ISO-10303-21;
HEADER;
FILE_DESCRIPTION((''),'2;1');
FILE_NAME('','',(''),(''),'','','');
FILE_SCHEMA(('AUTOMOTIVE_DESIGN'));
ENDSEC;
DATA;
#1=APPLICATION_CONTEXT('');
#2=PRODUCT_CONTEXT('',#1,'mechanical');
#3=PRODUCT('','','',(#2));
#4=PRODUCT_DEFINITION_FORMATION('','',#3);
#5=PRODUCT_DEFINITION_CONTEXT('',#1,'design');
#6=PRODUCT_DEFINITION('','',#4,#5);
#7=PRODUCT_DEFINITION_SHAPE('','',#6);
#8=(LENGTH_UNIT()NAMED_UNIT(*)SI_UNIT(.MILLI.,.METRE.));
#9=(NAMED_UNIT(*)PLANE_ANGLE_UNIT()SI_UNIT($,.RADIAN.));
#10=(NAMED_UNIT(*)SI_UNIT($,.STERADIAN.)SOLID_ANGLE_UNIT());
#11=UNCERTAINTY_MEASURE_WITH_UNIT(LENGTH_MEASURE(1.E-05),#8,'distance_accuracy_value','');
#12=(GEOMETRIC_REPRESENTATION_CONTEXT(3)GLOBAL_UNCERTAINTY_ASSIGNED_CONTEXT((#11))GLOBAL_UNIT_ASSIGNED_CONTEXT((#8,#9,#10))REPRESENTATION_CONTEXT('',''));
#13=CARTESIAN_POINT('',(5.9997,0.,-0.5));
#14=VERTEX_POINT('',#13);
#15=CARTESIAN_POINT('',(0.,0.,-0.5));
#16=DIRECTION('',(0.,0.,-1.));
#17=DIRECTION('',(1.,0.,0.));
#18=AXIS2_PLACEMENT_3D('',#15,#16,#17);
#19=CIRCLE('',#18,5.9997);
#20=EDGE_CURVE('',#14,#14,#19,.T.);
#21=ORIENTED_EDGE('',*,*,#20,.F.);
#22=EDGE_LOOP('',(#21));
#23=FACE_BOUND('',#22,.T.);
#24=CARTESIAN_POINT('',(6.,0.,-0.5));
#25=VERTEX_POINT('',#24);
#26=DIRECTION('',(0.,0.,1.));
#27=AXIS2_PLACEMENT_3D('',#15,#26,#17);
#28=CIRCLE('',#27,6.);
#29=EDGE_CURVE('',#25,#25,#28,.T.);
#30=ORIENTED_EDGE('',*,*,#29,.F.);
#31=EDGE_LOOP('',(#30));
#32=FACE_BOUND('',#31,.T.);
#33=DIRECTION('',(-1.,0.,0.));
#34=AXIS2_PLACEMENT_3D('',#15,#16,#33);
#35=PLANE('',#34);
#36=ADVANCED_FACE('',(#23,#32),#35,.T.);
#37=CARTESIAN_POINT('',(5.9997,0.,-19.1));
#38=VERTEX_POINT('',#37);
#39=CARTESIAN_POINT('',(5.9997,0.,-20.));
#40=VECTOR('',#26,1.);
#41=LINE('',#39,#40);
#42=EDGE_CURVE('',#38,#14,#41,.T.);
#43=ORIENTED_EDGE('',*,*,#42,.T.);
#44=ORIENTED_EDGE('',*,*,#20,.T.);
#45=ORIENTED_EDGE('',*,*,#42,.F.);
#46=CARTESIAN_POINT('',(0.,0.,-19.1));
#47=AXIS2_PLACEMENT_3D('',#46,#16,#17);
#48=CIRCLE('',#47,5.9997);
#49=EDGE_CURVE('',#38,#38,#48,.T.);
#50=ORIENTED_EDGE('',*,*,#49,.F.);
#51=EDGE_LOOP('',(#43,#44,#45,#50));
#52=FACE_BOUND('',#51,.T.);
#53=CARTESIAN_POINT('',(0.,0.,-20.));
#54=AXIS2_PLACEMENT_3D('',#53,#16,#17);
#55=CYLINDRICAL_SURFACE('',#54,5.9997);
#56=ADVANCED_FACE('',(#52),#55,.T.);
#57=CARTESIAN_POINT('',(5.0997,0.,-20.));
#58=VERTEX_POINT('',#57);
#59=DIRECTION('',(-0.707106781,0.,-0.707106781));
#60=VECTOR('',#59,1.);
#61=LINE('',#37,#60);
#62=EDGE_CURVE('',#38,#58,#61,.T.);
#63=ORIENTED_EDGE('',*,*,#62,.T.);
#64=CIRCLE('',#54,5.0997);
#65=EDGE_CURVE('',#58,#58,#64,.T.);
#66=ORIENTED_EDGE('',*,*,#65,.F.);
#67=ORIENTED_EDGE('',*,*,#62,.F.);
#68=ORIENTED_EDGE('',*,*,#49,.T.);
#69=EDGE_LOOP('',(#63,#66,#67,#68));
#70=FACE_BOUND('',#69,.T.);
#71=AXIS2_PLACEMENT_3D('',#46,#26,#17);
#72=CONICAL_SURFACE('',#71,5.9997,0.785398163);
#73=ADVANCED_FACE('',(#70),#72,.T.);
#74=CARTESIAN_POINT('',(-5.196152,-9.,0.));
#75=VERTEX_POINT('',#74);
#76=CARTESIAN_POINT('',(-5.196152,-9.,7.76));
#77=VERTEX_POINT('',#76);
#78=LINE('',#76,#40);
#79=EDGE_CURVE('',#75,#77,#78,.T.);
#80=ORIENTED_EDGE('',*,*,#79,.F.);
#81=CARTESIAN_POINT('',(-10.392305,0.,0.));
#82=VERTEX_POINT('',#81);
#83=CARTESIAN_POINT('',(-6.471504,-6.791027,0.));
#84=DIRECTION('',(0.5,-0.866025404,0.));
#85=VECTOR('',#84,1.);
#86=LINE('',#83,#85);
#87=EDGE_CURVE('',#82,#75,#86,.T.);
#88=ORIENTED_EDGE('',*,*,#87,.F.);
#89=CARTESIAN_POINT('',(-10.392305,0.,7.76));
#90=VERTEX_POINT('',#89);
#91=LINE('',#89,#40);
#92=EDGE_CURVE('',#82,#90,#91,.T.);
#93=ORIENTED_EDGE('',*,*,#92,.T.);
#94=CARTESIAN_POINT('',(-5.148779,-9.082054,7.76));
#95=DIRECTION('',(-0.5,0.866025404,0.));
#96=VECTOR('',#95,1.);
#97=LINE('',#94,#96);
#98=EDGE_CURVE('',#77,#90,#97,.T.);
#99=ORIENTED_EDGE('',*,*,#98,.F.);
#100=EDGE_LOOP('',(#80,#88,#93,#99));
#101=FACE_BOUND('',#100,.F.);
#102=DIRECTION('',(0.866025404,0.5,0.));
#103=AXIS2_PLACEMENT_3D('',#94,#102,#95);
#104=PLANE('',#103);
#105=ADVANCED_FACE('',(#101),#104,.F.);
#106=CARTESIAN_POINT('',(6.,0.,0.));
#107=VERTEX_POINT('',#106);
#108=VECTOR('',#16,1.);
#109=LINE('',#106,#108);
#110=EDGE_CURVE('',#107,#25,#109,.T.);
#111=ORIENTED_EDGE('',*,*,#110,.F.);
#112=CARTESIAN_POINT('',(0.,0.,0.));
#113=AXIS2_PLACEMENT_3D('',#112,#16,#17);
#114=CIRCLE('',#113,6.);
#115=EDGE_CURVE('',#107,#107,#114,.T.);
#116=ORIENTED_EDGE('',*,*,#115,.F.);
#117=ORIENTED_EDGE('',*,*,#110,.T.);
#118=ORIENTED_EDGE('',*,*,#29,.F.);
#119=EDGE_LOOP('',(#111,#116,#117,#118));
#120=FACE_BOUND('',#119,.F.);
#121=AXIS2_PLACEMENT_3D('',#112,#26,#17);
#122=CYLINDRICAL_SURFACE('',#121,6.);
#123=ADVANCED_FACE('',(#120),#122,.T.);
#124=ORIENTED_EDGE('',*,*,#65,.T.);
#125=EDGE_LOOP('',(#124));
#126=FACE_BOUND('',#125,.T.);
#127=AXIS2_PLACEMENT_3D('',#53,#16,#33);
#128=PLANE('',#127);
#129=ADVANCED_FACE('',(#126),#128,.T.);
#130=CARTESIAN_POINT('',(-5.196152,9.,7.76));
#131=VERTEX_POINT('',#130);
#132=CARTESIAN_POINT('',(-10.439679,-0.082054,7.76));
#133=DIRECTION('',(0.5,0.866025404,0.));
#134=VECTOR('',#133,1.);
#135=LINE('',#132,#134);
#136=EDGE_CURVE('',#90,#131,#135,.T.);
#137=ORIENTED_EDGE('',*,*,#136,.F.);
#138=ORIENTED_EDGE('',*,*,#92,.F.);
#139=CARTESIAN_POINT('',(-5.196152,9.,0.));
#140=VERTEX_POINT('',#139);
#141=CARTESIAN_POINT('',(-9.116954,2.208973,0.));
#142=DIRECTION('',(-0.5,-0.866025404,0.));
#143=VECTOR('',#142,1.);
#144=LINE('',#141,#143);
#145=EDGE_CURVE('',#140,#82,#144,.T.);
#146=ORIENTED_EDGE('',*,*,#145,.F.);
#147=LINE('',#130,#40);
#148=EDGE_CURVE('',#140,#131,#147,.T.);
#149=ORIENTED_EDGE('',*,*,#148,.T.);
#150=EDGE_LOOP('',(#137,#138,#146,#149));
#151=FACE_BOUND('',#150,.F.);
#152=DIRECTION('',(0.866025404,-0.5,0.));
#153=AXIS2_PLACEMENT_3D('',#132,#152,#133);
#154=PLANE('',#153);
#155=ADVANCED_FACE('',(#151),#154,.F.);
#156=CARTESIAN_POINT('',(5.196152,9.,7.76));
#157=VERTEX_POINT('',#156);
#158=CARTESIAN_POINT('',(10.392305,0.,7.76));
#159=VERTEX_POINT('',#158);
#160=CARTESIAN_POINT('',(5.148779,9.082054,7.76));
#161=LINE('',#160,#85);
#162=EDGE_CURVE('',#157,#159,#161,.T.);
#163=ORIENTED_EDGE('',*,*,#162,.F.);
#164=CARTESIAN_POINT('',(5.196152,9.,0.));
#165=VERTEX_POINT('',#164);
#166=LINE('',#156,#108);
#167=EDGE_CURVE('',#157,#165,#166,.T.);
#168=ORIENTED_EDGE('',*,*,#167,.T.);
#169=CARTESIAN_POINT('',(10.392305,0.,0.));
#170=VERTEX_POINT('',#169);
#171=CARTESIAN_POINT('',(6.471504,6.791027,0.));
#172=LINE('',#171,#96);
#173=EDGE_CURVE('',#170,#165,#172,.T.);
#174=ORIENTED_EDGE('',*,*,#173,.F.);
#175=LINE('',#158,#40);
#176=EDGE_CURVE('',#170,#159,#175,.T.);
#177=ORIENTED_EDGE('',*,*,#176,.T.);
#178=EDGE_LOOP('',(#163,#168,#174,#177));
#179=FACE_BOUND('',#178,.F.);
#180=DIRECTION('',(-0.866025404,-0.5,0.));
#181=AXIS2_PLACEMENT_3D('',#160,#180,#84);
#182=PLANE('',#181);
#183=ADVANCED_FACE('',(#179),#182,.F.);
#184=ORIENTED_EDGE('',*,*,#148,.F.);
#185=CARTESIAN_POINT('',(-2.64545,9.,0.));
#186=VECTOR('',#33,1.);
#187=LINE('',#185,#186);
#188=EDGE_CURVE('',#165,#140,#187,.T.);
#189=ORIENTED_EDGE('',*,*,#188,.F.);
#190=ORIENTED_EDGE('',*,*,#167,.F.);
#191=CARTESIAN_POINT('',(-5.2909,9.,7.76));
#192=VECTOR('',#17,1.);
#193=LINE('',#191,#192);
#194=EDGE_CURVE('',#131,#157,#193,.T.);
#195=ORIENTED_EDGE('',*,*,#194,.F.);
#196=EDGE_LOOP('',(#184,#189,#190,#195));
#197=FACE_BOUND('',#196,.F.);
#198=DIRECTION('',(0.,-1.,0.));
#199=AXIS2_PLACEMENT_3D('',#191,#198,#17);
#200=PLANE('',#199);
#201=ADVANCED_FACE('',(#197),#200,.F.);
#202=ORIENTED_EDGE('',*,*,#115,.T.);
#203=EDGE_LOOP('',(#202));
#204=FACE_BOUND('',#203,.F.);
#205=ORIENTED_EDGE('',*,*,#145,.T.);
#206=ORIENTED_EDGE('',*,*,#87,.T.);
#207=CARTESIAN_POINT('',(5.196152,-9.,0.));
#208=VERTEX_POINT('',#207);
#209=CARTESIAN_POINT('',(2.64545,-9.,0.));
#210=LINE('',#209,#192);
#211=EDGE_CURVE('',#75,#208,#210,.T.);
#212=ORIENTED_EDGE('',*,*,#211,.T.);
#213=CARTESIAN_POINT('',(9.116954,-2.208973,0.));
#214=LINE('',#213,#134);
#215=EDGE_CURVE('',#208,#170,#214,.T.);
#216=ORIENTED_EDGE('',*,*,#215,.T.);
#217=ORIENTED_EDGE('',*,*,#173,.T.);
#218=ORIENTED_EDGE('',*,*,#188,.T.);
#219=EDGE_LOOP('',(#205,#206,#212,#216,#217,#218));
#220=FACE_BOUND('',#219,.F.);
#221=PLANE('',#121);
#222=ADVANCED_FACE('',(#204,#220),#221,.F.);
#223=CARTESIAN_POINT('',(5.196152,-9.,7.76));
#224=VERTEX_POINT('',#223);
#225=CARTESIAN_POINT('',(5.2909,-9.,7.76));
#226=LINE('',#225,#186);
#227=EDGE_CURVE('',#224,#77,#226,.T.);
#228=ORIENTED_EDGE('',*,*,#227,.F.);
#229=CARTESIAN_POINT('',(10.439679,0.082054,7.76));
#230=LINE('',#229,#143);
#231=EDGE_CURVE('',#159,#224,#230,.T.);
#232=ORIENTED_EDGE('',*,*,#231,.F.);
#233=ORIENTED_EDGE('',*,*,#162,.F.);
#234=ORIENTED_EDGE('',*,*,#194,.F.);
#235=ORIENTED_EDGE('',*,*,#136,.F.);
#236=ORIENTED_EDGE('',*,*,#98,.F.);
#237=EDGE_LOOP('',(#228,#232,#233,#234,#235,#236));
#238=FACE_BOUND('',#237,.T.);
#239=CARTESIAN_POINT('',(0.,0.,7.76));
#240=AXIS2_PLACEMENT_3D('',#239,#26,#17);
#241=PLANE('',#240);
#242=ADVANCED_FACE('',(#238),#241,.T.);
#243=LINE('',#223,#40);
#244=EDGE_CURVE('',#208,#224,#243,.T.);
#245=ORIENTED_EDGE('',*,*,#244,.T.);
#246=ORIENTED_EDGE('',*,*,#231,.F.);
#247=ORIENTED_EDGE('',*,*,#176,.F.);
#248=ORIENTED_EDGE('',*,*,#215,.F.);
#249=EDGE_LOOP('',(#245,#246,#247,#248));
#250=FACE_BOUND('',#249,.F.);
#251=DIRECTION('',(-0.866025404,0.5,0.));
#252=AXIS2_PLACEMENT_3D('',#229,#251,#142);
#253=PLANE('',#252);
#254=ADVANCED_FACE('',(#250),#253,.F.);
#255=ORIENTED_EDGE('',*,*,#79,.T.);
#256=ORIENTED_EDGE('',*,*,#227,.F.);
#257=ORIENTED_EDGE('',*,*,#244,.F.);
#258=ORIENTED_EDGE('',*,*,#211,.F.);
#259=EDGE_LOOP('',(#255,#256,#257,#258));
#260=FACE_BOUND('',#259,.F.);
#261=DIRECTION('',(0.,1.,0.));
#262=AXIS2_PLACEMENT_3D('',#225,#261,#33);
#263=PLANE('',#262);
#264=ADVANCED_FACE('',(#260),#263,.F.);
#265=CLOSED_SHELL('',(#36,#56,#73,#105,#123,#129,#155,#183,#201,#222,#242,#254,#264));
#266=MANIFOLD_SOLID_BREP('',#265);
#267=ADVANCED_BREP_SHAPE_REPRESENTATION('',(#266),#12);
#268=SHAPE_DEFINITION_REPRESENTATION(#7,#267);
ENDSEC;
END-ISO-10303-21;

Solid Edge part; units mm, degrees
sketch "Sketch1" plane through (0, 0, 0) normal (0, 0, 1) x (1, 0, 0)
  circle A0 centre (0, 0) radius 10.44
  dimension "D1" = 20.88
extrude "Protrusion1" add sketch "Sketch1" along normal blind 7.76
sketch "Sketch2" plane through (0, 0, 0) normal (0, 0, -1) x (1, 0, 0)
  circle A0 centre (0, 0) radius 6
extrude "Protrusion2" add sketch "Sketch2" along normal blind 20
sketch "Sketch3" plane through (0, 0, -20) normal (0, 0, -1) x (1, 0, 0)
  circle A0 centre (0, 0) radius 5.9997
extrude "Cutout1" cut sketch "Sketch3" against normal blind 19.5 flip side to cut
chamfer "Chamfer_1" distance 0.9 angle 45 1 edges at (-5.9997, 0, -20)
sketch "Sketch4" plane through (0, 0, 7.76) normal (0, 0, 1) x (1, 0, 0)
  line L0 (-5.2909, 9) -> (5.2909, 9)
  dimension "D1" = 18
extrude "Cutout2" cut sketch "Sketch4" against normal up to next material side at (0, 9.05, 7.76)
pattern_circular "Pattern1" count 6 over 360 about axis through (0, 0, 7.76) along (0, 0, 1) of "Cutout2"
properties part number "185557"
